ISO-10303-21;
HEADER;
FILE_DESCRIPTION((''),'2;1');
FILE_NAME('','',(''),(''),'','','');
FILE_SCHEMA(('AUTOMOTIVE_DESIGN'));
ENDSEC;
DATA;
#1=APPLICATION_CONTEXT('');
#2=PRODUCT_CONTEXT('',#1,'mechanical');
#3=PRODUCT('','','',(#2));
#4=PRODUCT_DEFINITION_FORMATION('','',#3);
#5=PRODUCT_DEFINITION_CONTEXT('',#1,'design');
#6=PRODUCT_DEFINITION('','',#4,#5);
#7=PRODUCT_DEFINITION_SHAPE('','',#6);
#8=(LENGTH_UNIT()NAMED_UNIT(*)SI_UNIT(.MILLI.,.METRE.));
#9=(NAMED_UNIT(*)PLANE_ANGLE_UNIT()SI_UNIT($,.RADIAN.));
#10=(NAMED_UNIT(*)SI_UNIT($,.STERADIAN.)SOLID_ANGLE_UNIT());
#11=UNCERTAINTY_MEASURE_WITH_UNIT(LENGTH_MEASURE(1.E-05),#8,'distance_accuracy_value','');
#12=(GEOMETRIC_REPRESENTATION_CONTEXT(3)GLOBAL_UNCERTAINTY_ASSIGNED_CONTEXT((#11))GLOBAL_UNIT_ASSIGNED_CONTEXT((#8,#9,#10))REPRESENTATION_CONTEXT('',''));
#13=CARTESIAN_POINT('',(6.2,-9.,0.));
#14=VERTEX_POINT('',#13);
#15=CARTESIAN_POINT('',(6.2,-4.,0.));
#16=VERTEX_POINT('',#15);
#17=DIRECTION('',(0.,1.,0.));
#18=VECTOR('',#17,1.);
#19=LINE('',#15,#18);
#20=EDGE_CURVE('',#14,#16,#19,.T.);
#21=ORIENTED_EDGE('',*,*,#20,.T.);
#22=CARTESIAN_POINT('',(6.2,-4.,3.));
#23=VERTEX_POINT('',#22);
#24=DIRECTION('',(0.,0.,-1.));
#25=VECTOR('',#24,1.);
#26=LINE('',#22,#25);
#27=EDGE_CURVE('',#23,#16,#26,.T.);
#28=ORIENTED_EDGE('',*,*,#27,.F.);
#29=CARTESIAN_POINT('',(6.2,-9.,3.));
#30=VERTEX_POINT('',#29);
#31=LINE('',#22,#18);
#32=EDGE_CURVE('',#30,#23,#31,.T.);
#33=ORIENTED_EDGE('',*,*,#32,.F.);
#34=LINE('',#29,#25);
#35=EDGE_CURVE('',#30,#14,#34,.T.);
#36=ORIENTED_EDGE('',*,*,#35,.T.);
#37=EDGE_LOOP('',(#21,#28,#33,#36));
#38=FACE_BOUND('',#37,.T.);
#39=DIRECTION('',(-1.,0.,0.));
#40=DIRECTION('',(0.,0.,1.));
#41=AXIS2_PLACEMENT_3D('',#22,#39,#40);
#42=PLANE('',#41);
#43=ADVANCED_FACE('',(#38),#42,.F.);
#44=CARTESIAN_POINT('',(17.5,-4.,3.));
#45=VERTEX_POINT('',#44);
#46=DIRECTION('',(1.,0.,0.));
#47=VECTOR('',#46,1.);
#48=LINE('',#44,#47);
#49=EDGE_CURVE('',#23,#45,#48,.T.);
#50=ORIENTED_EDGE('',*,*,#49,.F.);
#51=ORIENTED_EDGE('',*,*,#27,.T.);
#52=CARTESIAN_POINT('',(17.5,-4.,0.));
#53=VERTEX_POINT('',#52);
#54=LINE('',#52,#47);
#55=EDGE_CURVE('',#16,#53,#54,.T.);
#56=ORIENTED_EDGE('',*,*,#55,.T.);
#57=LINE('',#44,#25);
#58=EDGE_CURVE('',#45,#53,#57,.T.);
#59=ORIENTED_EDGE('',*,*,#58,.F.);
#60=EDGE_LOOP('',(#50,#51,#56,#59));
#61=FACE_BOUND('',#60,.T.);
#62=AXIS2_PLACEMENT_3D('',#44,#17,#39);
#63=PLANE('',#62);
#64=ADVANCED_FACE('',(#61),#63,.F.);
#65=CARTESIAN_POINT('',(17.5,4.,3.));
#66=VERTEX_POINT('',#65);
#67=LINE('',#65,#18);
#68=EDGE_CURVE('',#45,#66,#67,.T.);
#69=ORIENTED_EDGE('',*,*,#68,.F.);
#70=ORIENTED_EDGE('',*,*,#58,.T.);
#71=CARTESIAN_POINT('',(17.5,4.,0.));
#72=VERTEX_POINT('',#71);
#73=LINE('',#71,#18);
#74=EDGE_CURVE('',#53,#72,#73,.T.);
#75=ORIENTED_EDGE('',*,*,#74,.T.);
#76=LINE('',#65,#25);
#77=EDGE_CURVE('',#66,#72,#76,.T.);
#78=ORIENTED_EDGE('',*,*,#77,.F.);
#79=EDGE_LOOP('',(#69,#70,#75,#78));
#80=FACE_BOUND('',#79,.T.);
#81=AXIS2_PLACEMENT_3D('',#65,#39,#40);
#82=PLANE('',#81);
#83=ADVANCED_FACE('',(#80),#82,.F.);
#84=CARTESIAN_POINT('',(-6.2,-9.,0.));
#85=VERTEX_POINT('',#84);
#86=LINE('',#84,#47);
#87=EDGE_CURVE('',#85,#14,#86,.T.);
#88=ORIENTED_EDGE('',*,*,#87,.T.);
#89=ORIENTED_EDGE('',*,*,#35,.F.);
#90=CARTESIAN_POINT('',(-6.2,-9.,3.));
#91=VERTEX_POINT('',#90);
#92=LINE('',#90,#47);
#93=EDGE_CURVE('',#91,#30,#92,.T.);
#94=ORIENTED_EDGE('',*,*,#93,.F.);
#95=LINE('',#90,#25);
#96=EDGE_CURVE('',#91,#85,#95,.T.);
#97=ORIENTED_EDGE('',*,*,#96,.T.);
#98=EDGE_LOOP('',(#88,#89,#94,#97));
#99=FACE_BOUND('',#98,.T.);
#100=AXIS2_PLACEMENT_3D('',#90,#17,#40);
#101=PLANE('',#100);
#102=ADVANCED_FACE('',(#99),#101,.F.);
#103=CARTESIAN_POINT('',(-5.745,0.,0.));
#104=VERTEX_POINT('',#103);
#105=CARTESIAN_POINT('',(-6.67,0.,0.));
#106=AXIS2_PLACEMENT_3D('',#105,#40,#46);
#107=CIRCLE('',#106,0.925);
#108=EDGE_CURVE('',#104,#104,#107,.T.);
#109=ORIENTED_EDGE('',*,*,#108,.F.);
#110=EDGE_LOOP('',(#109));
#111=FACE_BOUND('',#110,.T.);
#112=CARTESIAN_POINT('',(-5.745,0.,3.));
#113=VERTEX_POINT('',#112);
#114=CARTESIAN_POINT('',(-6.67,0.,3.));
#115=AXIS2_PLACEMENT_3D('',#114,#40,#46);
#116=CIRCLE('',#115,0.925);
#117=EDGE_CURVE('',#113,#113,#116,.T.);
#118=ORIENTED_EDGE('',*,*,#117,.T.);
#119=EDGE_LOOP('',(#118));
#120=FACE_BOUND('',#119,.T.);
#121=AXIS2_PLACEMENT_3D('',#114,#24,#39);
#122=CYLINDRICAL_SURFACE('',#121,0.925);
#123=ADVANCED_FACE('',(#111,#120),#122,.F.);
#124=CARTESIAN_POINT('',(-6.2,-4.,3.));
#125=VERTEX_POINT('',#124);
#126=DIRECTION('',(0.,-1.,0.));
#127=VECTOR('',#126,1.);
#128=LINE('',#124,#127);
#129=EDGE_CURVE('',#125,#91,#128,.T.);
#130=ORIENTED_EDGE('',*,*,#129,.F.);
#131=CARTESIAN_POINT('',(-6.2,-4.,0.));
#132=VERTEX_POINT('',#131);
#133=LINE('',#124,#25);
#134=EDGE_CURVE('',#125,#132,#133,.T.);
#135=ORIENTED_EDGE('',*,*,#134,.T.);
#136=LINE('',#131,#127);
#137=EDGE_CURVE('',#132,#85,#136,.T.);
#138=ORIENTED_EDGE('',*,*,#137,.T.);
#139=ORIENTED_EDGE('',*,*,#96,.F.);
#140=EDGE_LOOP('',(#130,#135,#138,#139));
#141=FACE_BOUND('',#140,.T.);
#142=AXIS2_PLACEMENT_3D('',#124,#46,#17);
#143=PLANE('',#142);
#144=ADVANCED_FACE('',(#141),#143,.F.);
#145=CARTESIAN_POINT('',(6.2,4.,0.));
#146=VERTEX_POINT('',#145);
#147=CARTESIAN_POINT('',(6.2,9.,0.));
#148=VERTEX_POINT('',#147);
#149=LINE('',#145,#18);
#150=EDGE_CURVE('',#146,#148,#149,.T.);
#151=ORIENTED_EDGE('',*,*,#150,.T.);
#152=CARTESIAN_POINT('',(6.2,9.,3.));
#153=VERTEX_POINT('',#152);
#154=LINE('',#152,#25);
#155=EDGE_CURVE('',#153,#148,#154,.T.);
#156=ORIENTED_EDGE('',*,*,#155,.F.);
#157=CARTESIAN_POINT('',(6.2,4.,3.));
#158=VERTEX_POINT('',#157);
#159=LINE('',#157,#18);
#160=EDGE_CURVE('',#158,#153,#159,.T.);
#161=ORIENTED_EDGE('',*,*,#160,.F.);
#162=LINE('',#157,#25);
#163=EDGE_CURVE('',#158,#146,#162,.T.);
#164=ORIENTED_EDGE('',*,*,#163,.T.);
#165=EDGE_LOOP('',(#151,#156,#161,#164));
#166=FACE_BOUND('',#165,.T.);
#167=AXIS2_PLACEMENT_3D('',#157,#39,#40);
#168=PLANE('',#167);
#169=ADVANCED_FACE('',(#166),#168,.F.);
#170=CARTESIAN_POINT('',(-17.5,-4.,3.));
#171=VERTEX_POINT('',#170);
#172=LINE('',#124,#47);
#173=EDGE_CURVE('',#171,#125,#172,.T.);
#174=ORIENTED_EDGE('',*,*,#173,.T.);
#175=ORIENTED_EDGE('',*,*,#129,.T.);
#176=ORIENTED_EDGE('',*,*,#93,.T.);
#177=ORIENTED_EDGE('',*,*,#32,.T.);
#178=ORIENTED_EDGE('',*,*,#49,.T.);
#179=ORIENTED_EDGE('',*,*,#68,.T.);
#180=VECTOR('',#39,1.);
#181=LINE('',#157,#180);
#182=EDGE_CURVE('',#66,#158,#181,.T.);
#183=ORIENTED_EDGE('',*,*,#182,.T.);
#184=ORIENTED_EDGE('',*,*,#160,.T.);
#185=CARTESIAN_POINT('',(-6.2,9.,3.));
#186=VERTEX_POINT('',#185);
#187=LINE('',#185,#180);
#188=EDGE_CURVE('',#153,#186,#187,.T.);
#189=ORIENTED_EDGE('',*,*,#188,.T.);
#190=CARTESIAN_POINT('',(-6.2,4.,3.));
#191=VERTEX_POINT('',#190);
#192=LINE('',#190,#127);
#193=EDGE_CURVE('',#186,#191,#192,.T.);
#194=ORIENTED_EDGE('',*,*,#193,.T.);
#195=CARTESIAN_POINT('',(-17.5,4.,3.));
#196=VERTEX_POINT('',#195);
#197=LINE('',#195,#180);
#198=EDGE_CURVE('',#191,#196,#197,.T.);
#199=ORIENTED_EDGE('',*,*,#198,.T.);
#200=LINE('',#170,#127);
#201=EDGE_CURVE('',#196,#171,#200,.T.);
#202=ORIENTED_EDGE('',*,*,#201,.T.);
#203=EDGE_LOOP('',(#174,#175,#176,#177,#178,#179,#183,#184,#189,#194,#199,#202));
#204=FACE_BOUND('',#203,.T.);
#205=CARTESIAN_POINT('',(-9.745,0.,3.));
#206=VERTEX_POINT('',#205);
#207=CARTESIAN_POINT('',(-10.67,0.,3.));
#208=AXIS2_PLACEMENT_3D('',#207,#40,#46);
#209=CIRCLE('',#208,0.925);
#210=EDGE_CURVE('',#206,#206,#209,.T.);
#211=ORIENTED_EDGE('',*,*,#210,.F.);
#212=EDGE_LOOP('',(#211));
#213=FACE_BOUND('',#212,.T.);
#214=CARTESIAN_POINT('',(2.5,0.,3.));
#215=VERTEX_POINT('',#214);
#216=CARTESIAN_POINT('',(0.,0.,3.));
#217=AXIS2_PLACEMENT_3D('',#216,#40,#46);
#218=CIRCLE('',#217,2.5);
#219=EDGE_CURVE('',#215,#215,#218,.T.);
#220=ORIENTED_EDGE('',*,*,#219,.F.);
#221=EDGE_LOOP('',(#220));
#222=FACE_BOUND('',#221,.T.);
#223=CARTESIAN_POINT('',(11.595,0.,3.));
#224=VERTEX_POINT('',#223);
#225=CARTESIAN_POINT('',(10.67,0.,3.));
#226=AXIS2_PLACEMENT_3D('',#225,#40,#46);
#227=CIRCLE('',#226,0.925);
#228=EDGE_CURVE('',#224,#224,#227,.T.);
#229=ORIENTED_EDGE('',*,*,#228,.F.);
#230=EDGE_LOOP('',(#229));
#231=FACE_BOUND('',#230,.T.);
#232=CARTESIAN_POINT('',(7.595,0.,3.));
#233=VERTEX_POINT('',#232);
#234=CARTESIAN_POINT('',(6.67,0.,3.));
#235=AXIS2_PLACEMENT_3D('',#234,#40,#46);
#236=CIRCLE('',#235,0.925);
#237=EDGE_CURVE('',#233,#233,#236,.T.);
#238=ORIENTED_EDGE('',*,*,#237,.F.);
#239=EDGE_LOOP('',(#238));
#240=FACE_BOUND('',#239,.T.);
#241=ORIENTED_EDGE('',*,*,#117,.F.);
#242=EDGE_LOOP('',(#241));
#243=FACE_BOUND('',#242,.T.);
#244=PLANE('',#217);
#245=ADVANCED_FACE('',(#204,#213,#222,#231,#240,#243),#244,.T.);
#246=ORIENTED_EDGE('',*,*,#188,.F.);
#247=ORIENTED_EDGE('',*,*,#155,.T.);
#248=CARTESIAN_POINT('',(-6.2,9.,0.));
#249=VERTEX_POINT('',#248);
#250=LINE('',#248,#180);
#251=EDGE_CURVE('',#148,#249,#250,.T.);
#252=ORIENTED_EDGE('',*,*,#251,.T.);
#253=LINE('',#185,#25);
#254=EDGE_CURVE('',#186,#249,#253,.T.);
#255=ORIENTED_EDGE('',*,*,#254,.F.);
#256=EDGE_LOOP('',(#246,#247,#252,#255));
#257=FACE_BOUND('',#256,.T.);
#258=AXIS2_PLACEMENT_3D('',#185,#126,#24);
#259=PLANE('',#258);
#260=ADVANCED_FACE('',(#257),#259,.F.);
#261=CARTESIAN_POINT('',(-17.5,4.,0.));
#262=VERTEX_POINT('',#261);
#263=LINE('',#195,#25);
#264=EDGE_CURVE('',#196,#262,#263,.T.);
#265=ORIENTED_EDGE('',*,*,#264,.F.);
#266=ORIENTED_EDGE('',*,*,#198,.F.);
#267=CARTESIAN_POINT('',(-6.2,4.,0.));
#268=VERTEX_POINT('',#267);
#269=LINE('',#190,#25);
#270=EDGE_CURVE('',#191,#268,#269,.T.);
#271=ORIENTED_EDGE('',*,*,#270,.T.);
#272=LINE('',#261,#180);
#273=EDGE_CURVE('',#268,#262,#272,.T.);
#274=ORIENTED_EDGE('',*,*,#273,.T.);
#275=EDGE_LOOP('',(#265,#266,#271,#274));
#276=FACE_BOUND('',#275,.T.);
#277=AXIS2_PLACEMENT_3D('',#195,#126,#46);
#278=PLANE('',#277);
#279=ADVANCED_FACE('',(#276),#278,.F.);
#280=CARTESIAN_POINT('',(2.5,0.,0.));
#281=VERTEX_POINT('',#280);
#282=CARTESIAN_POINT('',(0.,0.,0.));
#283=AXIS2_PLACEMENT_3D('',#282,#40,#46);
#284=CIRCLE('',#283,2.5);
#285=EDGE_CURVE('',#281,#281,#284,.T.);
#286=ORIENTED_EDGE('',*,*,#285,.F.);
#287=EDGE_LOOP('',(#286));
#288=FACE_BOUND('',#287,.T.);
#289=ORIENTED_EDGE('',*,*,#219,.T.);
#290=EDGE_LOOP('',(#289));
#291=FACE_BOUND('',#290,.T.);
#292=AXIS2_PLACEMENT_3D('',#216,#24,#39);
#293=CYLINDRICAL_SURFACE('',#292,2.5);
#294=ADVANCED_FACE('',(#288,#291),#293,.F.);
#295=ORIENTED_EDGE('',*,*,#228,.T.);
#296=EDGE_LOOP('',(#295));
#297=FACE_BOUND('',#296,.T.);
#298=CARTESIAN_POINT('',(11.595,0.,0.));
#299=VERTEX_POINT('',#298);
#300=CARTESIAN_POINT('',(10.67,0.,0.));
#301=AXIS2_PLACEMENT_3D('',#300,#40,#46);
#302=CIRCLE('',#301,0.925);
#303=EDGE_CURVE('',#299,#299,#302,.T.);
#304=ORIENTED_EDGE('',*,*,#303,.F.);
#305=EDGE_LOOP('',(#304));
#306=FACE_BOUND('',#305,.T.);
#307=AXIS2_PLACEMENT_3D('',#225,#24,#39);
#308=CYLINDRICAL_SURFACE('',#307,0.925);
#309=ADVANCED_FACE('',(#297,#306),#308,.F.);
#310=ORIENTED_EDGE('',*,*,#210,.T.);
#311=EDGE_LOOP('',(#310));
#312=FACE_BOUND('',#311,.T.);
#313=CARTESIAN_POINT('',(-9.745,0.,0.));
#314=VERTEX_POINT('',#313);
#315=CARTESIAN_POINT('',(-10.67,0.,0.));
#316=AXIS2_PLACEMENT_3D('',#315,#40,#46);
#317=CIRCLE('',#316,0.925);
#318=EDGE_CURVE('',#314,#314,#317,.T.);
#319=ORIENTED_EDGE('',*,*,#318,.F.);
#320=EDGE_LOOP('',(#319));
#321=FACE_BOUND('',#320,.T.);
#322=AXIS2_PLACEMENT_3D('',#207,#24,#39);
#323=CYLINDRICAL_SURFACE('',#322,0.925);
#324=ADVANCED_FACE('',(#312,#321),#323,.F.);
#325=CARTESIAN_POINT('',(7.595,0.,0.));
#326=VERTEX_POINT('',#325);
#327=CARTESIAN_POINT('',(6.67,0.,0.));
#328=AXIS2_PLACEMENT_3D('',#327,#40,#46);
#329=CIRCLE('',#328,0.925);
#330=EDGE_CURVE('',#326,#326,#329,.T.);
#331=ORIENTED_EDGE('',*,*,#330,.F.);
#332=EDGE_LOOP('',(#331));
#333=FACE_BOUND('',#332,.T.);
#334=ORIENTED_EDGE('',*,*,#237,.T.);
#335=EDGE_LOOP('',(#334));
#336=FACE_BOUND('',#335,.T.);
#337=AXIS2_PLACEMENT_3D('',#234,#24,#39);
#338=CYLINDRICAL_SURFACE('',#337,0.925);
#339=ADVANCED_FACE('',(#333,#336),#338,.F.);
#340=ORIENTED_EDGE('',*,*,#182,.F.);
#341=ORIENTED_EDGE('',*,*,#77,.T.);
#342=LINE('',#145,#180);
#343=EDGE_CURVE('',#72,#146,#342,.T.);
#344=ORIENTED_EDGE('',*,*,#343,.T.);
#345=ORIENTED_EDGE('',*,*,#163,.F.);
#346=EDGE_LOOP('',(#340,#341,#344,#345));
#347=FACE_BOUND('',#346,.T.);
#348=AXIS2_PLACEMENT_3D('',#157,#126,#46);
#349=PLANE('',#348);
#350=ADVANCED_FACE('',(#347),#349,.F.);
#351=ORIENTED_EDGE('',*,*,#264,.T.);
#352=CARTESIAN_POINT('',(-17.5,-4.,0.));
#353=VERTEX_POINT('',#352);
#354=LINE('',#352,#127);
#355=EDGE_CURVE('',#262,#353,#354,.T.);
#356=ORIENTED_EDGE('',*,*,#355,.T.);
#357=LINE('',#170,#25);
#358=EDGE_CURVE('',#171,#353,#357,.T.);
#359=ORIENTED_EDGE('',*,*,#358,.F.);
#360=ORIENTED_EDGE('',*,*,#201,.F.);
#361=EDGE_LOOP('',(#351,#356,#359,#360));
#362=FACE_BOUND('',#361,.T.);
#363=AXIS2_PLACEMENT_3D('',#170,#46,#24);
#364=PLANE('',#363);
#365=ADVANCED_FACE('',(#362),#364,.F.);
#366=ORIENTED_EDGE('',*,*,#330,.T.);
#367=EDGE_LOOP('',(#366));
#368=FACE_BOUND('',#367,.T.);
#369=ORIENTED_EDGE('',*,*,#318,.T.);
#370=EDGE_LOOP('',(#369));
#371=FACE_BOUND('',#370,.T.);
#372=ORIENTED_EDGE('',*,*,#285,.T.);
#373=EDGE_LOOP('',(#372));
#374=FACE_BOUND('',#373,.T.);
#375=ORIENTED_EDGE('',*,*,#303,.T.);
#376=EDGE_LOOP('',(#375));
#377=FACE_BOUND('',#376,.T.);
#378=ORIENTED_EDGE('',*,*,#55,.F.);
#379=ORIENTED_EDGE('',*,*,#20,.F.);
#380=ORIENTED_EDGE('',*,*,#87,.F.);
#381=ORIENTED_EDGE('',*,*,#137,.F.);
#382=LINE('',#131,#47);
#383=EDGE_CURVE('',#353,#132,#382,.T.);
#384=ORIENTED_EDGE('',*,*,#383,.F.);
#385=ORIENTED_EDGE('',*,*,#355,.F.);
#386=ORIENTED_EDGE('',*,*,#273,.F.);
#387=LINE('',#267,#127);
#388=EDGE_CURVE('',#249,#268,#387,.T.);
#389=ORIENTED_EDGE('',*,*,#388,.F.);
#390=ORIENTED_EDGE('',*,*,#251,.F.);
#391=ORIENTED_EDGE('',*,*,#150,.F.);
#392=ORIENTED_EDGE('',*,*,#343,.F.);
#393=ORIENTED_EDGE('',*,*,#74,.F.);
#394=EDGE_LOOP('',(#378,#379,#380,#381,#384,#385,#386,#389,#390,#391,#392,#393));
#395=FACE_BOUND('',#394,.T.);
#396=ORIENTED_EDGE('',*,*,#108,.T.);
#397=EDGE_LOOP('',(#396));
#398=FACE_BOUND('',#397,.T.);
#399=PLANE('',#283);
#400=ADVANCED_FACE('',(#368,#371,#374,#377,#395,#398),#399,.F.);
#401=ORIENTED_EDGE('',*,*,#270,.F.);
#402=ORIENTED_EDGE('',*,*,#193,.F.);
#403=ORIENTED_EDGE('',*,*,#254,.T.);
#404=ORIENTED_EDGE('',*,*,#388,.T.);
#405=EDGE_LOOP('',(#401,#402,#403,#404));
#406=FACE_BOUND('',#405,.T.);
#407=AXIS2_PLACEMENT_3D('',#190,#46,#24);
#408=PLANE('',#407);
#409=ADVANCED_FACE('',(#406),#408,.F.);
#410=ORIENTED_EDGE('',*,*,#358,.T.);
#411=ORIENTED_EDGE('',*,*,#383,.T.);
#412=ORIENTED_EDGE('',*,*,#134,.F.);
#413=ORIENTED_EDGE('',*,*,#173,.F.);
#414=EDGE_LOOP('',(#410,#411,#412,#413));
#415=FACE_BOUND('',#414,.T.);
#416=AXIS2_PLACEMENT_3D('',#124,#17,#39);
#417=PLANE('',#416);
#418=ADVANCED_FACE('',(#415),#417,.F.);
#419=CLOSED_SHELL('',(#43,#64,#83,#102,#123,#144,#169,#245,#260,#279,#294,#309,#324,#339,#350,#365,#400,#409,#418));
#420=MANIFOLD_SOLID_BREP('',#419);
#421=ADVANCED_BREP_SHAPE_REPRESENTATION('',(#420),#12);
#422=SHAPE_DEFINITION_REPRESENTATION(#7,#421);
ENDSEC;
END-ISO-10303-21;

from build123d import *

# Parameters (mm, degrees)
ESQUISSE1_R        = 2.5
ESQUISSE1_R_2      = 0.925
BOSS_EXTRU_1_DEPTH = 3


with BuildPart() as part:
    # Esquisse1 → Boss.-Extru.1 (new body)
    with BuildSketch(Plane.XY):
        Polygon((-17.5, -4), (-17.5, 4), (-6.2, 4), (-6.2, 9), (6.2, 9), (6.2, 4), (17.5, 4), (17.5, -4), (6.2, -4), (6.2, -9), (-6.2, -9), (-6.2, -4), align=None)
        Circle(ESQUISSE1_R, mode=Mode.SUBTRACT)
        with Locations((6.67, 0)):
            Circle(ESQUISSE1_R_2, mode=Mode.SUBTRACT)
        with Locations((10.67, 0)):
            Circle(ESQUISSE1_R_2, mode=Mode.SUBTRACT)
        with Locations((-6.67, 0)):
            Circle(ESQUISSE1_R_2, mode=Mode.SUBTRACT)
        with Locations((-10.67, 0)):
            Circle(ESQUISSE1_R_2, mode=Mode.SUBTRACT)
    extrude(amount=BOSS_EXTRU_1_DEPTH)


solid = part.part
